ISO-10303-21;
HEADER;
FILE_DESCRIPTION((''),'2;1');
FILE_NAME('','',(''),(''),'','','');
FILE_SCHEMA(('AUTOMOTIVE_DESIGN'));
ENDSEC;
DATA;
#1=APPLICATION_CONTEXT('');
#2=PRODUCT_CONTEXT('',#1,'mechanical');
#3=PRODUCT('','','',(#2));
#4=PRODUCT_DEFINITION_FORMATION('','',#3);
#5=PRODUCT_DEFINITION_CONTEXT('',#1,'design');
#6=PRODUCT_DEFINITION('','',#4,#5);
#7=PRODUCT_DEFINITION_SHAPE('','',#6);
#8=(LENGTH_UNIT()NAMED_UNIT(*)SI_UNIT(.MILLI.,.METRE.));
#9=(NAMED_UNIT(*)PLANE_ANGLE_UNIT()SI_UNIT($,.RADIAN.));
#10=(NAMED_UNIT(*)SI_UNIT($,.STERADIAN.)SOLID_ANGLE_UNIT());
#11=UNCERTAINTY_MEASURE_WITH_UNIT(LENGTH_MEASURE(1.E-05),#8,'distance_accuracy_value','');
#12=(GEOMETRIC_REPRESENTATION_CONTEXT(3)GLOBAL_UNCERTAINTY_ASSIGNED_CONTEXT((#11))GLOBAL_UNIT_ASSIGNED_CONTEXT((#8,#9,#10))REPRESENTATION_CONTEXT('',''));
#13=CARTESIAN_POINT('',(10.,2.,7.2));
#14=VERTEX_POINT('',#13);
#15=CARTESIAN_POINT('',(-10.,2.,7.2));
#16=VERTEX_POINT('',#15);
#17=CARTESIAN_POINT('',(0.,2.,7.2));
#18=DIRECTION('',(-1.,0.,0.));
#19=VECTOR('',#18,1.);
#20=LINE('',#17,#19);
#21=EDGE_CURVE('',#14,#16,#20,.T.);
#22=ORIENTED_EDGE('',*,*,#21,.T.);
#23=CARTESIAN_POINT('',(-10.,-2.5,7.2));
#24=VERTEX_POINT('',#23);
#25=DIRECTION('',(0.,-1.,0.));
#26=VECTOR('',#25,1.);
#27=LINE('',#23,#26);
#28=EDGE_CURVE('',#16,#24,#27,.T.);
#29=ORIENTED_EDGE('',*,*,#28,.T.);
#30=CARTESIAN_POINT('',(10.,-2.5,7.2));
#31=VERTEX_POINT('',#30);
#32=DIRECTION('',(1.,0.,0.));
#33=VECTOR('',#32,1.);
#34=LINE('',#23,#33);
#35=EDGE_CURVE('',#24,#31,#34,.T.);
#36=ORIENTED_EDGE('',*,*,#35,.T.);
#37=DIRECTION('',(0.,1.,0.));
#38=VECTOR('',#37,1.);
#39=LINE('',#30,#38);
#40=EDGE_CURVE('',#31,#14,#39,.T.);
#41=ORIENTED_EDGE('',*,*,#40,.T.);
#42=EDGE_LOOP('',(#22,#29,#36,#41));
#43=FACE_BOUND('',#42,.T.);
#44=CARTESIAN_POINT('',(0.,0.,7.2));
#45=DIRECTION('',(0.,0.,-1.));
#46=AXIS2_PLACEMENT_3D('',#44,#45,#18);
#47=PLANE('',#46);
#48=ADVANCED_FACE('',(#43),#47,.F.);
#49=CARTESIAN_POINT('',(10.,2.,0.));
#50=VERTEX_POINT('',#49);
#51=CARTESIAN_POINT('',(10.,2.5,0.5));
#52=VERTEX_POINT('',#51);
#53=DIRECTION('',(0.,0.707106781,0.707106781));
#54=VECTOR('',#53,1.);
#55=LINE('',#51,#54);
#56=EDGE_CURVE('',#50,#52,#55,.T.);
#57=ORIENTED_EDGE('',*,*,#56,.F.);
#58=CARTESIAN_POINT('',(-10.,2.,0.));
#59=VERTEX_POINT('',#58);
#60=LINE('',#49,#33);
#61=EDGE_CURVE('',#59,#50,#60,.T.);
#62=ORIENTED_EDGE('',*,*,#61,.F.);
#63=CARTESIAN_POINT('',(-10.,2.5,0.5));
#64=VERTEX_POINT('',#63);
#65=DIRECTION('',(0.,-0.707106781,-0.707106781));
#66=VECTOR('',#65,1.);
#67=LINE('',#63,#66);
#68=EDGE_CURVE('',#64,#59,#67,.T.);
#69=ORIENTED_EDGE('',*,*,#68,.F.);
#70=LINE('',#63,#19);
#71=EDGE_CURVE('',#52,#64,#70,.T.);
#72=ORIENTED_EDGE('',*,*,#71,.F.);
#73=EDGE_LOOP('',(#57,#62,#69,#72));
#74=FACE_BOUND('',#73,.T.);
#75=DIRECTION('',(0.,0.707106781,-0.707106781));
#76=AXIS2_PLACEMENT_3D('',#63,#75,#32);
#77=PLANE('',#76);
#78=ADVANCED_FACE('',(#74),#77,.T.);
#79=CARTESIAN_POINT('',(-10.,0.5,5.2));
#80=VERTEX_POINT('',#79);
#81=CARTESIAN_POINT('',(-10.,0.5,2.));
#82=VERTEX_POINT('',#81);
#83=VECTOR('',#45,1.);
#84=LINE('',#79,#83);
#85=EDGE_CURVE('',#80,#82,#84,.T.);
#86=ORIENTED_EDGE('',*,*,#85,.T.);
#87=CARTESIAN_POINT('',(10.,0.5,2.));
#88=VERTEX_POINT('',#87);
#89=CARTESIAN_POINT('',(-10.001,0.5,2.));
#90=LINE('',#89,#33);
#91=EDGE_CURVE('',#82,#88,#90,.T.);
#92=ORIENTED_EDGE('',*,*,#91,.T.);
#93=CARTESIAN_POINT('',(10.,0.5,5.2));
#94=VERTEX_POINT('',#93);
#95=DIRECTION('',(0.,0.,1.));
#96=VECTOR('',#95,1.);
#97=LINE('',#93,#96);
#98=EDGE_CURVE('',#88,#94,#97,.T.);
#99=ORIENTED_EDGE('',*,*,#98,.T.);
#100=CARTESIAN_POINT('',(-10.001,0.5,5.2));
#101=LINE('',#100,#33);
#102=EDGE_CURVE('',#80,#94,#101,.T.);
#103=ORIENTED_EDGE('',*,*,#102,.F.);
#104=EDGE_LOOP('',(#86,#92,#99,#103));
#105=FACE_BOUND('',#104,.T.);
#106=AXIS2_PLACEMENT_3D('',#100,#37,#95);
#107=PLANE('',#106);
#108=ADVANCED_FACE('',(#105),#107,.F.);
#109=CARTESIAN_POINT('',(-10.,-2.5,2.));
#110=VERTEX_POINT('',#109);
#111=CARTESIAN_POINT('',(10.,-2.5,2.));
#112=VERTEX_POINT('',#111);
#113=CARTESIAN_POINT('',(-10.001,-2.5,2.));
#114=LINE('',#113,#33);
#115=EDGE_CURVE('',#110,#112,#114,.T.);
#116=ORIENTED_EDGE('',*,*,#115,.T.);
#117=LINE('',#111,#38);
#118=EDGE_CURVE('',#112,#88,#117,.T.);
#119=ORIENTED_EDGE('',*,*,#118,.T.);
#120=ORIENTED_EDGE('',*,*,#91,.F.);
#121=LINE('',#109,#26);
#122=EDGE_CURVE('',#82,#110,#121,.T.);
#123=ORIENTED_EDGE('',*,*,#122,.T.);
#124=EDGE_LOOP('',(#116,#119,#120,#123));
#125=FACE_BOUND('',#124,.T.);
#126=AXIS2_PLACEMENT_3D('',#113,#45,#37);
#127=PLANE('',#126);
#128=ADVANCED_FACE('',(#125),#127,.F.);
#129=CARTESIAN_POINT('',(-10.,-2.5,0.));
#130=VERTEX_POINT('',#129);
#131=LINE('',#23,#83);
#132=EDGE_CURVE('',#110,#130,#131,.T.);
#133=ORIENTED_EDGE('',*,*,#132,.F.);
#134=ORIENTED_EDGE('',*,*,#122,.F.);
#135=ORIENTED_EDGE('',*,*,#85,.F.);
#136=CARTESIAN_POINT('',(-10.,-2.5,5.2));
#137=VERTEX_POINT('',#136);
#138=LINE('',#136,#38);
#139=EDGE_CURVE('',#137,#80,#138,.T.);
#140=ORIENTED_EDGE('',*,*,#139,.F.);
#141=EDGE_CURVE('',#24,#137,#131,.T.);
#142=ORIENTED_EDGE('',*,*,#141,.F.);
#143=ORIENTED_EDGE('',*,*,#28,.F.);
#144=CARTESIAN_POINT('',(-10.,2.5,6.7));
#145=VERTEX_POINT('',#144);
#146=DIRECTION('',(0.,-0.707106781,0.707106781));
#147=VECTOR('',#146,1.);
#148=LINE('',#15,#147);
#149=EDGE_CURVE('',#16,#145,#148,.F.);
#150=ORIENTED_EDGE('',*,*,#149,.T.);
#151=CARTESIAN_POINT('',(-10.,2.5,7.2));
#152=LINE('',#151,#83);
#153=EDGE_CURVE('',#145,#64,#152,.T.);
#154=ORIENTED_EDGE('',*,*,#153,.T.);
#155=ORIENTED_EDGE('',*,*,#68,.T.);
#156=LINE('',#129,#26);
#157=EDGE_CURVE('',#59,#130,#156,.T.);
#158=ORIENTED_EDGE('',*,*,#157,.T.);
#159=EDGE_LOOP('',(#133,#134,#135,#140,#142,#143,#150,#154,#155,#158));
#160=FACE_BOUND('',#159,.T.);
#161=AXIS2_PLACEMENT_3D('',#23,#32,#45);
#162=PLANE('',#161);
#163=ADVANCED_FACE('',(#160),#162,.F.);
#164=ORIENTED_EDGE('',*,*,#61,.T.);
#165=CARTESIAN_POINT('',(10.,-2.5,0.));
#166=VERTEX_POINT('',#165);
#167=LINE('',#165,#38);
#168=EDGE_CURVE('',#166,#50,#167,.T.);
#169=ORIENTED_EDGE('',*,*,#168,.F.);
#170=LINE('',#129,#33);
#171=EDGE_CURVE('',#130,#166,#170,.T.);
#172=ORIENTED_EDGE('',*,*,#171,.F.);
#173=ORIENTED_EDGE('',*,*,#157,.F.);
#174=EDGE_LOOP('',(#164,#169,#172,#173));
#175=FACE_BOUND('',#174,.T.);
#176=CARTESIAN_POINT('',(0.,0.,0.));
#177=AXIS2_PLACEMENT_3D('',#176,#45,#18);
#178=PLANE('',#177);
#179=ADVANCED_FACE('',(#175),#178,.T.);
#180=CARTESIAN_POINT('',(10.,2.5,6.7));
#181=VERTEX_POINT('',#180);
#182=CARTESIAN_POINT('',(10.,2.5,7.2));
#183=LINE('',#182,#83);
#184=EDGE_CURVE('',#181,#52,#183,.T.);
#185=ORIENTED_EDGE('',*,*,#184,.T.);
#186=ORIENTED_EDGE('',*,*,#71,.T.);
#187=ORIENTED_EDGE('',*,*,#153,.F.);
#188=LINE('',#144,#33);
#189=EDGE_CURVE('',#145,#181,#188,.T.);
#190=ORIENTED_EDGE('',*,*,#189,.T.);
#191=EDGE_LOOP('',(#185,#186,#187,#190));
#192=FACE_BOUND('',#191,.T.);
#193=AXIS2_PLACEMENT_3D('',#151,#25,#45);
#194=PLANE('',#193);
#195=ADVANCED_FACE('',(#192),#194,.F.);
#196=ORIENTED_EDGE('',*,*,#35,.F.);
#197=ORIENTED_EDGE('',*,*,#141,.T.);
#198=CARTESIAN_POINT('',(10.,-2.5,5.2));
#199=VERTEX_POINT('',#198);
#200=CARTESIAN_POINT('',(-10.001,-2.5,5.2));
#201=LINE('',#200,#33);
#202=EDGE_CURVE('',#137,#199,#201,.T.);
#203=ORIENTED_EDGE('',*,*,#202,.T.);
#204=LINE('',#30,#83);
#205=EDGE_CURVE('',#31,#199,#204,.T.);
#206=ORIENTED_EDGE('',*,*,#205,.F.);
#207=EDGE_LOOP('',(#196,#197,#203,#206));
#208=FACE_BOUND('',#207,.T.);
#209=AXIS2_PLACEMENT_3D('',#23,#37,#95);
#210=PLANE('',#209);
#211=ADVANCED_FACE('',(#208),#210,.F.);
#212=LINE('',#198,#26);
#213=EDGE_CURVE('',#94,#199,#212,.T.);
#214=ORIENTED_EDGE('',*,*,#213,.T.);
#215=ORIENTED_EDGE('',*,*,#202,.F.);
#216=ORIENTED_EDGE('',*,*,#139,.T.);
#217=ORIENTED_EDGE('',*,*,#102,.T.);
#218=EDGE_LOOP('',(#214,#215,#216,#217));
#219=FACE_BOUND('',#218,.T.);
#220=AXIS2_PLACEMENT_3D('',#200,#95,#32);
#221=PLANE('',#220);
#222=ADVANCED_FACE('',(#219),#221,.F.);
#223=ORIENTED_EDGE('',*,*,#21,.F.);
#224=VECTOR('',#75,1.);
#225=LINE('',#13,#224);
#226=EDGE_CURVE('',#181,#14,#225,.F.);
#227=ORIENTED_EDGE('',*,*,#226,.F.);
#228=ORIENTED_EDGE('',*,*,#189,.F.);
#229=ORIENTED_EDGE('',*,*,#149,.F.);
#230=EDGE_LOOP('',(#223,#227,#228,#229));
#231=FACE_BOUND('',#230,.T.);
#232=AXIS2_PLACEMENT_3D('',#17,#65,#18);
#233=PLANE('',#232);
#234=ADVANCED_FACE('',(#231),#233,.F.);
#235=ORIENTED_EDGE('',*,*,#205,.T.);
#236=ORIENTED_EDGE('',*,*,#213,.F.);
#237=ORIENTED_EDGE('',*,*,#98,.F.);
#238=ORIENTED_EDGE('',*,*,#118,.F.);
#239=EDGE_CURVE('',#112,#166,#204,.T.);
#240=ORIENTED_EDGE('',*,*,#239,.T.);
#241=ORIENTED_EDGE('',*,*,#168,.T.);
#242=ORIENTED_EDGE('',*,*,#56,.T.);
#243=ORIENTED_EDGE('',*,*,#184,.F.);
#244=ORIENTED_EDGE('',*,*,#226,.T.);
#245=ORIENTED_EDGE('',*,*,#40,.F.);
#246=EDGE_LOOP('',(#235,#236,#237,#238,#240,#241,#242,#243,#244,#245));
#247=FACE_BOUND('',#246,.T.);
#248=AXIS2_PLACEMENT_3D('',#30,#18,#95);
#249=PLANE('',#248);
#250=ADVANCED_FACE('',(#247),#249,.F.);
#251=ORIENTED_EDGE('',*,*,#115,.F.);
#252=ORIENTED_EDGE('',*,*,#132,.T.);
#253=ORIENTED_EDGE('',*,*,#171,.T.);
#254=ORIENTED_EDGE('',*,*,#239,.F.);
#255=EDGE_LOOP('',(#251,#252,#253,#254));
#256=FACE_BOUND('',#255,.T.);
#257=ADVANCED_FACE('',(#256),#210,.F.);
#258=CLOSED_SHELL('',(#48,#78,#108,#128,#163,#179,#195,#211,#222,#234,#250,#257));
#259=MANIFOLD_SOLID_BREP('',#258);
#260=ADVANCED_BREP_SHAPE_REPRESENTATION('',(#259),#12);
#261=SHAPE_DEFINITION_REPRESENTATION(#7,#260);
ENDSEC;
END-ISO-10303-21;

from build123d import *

# Parameters (mm, degrees)
SKETCH2_W           = 20
SKETCH2_H           = 5
BOSS_EXTRUDE1_DEPTH = 7.2
CUT_EXTRUDE1_REACH  = 23.403
SKETCH3_W           = 3.2
SKETCH3_H           = 3
CHAMFER1_SIZE       = 0.5


with BuildPart() as part:
    # Sketch2 → Boss-Extrude1 (new body)
    with BuildSketch(Plane.XY):
        Rectangle(SKETCH2_W, SKETCH2_H)
    extrude(amount=BOSS_EXTRUDE1_DEPTH)

    # Sketch3 → Cut-Extrude1 (cut, up to next)
    with BuildSketch(Plane(origin=(10, 0, 0), x_dir=(0, 0, -1), z_dir=(1, 0, 0)), mode=Mode.PRIVATE) as cut_extrude1_sk1:
        with Locations((-3.6, -1)):
            Rectangle(SKETCH3_W, SKETCH3_H)
    cut_extrude1_tool1 = extrude(cut_extrude1_sk1.sketch, amount=-CUT_EXTRUDE1_REACH, mode=Mode.PRIVATE) & part.part
    add(cut_extrude1_tool1.solids().sort_by_distance((10, -1, 3.6))[0], mode=Mode.SUBTRACT)

    # Chamfer1
    chamfer1_edges = [part.edges().sort_by_distance(p)[0] for p in [
        (0, 2.5, 0),
        (0, 2.5, 7.2),
    ]]
    chamfer(chamfer1_edges, length=CHAMFER1_SIZE)


solid = part.part
